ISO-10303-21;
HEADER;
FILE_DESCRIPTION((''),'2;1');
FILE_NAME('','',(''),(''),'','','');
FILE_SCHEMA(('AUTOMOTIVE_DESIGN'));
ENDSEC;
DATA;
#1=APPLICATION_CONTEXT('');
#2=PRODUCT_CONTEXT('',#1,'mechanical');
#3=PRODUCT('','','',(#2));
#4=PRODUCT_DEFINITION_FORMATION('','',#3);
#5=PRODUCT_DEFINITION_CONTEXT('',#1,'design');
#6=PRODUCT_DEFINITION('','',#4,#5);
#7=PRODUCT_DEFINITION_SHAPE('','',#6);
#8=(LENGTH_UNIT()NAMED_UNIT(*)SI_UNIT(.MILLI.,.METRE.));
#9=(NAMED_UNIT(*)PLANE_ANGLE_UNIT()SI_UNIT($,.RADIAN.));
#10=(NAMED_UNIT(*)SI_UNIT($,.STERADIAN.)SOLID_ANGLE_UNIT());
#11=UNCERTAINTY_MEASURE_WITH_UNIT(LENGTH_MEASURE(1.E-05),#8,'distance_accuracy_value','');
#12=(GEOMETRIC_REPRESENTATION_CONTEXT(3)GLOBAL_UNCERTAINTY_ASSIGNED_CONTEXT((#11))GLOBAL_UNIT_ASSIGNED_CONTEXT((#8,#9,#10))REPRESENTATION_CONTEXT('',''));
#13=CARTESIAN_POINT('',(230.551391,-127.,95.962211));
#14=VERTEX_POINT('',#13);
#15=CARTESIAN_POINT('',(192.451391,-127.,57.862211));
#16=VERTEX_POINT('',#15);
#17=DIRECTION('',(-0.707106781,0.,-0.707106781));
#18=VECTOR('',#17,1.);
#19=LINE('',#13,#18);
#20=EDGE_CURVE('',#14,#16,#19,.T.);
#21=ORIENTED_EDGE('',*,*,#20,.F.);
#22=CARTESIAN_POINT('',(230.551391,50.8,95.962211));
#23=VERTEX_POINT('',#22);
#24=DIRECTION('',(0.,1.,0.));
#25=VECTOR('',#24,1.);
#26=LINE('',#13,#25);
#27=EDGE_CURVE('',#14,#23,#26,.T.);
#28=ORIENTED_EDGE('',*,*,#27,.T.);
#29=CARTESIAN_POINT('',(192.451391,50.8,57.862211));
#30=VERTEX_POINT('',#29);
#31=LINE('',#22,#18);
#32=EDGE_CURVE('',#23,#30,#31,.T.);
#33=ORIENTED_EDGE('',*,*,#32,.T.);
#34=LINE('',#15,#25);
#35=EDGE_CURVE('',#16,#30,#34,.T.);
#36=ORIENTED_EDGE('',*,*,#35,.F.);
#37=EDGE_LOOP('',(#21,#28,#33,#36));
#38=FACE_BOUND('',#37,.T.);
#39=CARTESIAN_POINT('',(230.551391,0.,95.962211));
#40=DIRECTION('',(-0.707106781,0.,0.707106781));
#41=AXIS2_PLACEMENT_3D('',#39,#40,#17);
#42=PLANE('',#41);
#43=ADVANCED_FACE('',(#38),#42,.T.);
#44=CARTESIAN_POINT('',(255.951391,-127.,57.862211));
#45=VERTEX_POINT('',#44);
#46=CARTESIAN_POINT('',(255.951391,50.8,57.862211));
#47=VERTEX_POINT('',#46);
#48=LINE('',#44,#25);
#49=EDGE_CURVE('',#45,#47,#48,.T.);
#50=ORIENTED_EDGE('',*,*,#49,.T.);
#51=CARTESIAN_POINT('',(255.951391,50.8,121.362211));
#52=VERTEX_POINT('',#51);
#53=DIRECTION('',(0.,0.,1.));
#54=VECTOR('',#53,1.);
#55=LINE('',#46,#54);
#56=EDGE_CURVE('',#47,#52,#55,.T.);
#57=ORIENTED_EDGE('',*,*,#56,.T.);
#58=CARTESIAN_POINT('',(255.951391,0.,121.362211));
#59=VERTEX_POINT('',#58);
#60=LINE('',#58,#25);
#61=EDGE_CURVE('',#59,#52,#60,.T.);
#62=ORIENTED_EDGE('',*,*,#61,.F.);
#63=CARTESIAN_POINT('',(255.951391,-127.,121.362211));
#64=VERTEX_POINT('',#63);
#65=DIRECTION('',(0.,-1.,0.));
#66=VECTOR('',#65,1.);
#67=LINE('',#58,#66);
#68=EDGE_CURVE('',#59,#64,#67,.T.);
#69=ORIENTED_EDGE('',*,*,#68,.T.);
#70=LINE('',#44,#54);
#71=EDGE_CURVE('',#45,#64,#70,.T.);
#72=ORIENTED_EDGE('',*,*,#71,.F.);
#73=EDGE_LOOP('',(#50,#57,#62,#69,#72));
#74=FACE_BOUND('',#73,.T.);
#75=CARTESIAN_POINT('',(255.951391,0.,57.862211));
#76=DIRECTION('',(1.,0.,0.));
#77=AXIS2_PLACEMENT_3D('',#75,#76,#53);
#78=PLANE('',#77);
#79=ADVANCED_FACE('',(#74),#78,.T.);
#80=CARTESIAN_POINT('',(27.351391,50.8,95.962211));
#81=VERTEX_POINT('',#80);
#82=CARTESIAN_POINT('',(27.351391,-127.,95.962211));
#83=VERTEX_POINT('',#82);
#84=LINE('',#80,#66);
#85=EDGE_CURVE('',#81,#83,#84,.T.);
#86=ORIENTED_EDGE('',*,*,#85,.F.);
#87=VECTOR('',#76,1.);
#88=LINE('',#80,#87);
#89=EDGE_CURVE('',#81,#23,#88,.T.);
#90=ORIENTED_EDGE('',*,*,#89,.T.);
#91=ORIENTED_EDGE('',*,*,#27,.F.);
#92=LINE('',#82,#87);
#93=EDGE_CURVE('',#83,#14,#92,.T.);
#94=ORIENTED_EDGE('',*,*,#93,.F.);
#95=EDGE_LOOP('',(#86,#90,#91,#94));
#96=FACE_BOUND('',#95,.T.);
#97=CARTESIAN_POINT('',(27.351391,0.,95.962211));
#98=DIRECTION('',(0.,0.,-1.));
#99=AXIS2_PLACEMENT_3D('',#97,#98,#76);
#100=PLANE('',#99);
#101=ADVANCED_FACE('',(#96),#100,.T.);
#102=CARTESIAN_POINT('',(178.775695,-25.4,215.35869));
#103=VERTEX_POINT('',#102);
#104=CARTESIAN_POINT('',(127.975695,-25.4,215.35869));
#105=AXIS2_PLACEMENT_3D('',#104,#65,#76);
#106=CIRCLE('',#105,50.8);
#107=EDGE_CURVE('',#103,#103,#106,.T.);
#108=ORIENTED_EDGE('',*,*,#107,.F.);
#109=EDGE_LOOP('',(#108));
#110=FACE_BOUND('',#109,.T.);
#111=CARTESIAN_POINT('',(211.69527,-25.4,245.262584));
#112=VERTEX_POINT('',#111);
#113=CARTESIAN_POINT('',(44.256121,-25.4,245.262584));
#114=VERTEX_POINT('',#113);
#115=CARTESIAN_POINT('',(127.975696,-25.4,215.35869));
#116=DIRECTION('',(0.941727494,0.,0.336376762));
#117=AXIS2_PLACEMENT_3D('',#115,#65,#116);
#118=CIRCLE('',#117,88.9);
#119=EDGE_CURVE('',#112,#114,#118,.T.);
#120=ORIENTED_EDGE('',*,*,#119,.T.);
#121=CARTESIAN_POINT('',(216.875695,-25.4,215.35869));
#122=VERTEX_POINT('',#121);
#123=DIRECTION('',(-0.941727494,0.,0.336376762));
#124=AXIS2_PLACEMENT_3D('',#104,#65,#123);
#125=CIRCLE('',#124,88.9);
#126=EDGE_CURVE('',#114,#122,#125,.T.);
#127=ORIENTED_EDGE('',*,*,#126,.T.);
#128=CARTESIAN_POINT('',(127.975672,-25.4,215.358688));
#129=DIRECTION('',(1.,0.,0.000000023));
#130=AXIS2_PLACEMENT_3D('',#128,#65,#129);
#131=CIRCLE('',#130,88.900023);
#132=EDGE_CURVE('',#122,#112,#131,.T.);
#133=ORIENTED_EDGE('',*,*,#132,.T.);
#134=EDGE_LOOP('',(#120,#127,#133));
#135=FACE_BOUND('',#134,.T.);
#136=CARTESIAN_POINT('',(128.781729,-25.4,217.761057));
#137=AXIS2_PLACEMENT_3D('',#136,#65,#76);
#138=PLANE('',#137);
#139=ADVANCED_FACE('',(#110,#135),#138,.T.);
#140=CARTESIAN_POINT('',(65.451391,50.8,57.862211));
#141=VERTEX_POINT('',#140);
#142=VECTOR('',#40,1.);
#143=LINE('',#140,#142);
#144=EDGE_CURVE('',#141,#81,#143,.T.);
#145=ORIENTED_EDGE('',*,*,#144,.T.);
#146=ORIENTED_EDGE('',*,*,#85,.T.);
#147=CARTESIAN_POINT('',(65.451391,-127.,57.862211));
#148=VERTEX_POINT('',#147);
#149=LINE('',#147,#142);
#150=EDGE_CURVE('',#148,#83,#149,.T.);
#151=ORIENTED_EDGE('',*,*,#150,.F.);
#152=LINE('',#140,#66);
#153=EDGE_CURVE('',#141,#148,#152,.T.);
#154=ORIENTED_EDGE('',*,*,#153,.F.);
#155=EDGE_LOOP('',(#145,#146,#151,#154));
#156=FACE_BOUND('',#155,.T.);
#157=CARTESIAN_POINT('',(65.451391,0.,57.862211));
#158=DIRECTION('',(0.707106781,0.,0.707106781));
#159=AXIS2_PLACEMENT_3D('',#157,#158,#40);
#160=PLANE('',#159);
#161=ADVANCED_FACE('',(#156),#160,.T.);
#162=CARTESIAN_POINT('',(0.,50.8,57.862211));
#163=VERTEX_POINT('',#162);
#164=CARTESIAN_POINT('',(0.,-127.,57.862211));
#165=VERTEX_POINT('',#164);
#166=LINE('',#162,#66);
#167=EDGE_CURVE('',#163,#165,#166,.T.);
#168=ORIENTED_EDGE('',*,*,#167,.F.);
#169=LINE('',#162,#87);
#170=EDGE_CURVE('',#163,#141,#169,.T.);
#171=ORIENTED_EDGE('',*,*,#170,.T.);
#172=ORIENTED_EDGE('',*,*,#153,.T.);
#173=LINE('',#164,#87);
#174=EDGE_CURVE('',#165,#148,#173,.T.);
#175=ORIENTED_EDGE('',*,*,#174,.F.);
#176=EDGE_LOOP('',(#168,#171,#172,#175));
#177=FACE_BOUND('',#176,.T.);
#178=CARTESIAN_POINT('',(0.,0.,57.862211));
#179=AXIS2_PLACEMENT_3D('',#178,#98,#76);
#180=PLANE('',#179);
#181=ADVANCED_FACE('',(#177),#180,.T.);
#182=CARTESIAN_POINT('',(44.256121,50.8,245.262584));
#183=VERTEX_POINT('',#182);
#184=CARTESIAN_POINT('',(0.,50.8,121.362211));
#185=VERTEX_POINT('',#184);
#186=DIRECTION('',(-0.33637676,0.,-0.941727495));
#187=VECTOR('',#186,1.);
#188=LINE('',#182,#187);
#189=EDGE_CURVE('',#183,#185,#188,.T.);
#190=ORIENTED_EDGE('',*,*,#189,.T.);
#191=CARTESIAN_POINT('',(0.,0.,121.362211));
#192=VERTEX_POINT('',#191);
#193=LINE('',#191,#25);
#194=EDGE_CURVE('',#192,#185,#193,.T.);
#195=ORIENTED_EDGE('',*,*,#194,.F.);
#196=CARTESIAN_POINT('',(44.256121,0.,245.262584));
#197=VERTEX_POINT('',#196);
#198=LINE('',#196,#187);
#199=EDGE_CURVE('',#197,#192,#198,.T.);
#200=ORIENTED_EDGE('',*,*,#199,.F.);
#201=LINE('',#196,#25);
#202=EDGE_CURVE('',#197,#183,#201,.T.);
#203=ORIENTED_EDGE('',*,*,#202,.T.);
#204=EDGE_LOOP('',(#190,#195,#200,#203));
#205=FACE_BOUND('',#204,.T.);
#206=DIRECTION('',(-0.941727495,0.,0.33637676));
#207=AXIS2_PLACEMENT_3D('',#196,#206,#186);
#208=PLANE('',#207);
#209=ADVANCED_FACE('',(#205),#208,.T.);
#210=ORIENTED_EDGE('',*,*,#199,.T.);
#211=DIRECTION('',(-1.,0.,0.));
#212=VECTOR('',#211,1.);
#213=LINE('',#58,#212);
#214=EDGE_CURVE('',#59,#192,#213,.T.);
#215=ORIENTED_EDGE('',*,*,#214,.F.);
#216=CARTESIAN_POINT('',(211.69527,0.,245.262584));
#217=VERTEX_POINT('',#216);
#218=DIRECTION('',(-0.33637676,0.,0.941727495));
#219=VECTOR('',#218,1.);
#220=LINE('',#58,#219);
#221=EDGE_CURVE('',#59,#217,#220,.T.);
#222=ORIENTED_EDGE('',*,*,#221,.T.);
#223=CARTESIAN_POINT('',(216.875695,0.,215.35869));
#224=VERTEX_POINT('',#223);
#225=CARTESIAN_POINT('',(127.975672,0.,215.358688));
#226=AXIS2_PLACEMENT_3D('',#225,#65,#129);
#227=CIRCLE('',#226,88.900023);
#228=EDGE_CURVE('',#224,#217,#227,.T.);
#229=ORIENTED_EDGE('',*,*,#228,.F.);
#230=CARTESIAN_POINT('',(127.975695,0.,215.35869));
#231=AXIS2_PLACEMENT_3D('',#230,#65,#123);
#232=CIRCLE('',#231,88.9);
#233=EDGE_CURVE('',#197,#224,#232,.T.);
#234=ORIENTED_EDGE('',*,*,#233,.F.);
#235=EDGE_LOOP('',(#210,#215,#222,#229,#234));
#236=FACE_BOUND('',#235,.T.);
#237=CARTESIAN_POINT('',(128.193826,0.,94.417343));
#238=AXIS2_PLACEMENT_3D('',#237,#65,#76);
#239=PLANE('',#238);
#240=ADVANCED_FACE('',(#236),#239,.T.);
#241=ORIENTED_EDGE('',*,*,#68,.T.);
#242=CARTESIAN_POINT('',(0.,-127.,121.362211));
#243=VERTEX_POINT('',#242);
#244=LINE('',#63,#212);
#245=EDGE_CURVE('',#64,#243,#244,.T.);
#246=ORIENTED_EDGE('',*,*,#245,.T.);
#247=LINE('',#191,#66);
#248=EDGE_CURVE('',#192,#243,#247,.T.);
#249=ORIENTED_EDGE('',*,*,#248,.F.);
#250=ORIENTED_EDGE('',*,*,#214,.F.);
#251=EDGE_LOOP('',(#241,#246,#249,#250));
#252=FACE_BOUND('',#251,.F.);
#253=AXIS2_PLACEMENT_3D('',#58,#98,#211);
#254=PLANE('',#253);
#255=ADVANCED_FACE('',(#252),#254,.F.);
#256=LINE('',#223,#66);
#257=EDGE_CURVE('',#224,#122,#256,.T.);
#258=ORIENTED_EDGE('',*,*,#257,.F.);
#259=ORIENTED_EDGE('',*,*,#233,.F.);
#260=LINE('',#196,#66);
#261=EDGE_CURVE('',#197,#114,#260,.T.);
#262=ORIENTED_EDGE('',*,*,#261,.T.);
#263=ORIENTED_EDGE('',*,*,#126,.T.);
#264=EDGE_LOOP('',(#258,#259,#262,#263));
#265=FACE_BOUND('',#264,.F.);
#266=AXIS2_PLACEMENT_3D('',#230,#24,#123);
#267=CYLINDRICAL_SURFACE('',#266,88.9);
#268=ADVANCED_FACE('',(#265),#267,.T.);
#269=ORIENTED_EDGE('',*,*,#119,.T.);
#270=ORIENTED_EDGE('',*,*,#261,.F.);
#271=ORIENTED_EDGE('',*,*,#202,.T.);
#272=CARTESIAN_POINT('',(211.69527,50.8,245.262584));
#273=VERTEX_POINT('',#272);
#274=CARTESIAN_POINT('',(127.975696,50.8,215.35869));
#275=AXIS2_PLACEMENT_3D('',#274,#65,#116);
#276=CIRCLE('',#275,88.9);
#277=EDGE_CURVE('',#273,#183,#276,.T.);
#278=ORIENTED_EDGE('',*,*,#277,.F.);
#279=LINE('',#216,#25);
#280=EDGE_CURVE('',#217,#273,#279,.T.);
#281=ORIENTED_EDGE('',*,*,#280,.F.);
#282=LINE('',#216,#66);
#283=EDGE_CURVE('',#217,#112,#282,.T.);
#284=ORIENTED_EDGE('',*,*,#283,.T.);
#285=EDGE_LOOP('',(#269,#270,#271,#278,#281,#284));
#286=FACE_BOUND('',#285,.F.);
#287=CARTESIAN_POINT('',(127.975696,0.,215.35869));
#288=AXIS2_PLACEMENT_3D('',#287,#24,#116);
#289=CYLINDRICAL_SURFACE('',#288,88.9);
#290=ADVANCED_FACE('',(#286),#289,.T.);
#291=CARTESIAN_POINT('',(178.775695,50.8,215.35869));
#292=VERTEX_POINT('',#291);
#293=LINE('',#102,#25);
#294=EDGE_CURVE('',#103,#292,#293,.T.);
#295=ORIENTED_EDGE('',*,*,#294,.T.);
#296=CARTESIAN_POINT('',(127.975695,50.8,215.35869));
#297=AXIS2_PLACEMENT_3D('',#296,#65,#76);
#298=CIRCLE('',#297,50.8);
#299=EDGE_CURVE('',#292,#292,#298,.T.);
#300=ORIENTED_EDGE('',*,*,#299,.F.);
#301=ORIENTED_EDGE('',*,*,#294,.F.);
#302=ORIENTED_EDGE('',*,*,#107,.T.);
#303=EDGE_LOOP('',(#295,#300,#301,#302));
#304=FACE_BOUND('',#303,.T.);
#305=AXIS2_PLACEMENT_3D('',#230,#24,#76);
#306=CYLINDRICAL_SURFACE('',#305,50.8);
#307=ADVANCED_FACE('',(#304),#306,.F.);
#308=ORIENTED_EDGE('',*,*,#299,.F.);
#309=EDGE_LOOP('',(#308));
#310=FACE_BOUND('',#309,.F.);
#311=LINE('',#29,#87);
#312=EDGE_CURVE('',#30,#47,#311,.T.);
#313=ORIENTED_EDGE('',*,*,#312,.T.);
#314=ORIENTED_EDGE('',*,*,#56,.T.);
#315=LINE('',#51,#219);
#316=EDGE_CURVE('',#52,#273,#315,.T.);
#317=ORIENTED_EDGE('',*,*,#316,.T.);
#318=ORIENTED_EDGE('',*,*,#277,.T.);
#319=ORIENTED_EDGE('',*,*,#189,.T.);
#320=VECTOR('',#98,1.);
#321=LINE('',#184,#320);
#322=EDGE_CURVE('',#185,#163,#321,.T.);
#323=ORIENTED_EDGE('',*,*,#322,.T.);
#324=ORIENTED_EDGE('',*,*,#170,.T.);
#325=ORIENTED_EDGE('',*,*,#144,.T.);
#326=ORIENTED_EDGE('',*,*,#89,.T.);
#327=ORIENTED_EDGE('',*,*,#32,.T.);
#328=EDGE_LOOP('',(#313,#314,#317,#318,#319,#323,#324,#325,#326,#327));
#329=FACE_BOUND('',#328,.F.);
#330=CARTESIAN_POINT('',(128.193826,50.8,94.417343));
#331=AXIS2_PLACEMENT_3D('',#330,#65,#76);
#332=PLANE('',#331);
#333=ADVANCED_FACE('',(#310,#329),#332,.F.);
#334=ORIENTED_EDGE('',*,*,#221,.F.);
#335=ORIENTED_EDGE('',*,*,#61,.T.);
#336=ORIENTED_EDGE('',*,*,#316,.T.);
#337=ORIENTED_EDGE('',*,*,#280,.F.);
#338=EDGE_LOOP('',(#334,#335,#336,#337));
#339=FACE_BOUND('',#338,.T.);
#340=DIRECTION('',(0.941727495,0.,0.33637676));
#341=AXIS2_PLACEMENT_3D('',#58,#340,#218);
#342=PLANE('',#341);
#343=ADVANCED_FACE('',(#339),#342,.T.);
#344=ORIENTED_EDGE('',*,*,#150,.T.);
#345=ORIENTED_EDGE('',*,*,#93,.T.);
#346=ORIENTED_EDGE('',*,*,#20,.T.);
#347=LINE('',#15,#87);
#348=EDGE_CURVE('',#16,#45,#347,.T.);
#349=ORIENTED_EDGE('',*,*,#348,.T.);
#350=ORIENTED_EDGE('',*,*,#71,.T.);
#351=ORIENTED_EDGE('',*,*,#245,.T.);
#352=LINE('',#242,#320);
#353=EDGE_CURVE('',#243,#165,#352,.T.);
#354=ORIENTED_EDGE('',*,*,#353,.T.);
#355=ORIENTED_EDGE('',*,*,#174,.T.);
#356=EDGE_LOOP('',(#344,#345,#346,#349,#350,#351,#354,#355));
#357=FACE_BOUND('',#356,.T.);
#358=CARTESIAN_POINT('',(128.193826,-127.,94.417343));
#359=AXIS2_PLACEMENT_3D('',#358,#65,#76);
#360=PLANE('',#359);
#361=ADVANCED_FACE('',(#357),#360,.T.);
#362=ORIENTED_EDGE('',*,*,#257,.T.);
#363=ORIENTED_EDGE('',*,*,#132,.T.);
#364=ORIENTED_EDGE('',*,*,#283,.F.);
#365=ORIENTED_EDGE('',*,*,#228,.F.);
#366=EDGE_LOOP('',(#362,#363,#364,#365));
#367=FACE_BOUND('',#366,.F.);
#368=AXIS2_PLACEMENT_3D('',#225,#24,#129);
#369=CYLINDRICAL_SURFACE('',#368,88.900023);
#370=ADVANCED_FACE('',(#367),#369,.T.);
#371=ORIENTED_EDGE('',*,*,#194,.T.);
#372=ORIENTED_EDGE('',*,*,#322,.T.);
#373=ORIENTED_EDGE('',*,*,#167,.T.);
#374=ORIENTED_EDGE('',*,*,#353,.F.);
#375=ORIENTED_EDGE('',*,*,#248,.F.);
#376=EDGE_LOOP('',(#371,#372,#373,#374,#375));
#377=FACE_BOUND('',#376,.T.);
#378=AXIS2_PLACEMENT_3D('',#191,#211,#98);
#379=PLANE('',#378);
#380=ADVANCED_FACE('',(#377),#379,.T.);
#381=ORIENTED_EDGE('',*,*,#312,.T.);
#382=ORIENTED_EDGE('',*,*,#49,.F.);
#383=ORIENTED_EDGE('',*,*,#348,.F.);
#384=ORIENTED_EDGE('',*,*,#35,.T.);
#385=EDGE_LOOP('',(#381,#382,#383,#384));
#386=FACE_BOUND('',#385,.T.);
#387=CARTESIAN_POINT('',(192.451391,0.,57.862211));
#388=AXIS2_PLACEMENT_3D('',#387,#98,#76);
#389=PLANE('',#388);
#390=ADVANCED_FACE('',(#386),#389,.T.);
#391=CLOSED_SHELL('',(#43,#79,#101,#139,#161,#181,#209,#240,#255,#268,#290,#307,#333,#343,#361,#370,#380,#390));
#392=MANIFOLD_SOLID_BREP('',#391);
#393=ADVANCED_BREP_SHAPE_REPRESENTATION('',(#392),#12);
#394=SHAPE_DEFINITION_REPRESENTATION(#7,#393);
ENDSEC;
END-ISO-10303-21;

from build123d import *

# Parameters (mm, degrees)
F1_DEPTH = 127
F0_R     = 50.8
F2_DEPTH = 50.8
F3_DEPTH = 25.4


with BuildPart() as f1:
    # F0 (on Front) → F1 (new body)
    with BuildSketch(Plane.XZ):
        Polygon((255.951391, 57.862211), (255.951391, 121.362211), (0, 121.362211), (0, 57.862211), (65.451391, 57.862211), (27.351391, 95.962211), (230.551391, 95.962211), (192.451391, 57.862211), align=None)
    extrude(amount=F1_DEPTH)

    # F0 (on Front) → F2 (join)
    with BuildSketch(Plane.XZ):
        Polygon((255.951391, 57.862211), (255.951391, 121.362211), (0, 121.362211), (0, 57.862211), (65.451391, 57.862211), (27.351391, 95.962211), (230.551391, 95.962211), (192.451391, 57.862211), align=None)
        with BuildLine():
            ThreePointArc((216.875695, 215.35869), (215.571015, 230.533337), (211.69527, 245.262584))
            ThreePointArc((211.69527, 245.262584), (127.975695, 304.25869), (44.256121, 245.262584))
            ThreePointArc((44.256121, 245.262584), (112.801048, 127.76337), (216.875695, 215.35869))
        make_face()
        with Locations((127.975695, 215.35869)):
            Circle(F0_R, mode=Mode.SUBTRACT)
        with BuildLine():
            Line((0, 121.362211), (255.951391, 121.362211))
            Line((255.951391, 121.362211), (211.69527, 245.262584))
            ThreePointArc((211.69527, 245.262584), (215.571015, 230.533337), (216.875695, 215.35869))
            ThreePointArc((216.875695, 215.35869), (112.801048, 127.76337), (44.256121, 245.262584))
            Line((44.256121, 245.262584), (0, 121.362211))
        make_face()
    extrude(amount=-F2_DEPTH)

    # F0 (on Front) → F3 (join)
    with BuildSketch(Plane.XZ):
        with BuildLine():
            ThreePointArc((216.875695, 215.35869), (215.571015, 230.533337), (211.69527, 245.262584))
            ThreePointArc((211.69527, 245.262584), (127.975695, 304.25869), (44.256121, 245.262584))
            ThreePointArc((44.256121, 245.262584), (112.801048, 127.76337), (216.875695, 215.35869))
        make_face()
        with Locations((127.975695, 215.35869)):
            Circle(F0_R, mode=Mode.SUBTRACT)
    extrude(amount=F3_DEPTH)


solid = f1.part
